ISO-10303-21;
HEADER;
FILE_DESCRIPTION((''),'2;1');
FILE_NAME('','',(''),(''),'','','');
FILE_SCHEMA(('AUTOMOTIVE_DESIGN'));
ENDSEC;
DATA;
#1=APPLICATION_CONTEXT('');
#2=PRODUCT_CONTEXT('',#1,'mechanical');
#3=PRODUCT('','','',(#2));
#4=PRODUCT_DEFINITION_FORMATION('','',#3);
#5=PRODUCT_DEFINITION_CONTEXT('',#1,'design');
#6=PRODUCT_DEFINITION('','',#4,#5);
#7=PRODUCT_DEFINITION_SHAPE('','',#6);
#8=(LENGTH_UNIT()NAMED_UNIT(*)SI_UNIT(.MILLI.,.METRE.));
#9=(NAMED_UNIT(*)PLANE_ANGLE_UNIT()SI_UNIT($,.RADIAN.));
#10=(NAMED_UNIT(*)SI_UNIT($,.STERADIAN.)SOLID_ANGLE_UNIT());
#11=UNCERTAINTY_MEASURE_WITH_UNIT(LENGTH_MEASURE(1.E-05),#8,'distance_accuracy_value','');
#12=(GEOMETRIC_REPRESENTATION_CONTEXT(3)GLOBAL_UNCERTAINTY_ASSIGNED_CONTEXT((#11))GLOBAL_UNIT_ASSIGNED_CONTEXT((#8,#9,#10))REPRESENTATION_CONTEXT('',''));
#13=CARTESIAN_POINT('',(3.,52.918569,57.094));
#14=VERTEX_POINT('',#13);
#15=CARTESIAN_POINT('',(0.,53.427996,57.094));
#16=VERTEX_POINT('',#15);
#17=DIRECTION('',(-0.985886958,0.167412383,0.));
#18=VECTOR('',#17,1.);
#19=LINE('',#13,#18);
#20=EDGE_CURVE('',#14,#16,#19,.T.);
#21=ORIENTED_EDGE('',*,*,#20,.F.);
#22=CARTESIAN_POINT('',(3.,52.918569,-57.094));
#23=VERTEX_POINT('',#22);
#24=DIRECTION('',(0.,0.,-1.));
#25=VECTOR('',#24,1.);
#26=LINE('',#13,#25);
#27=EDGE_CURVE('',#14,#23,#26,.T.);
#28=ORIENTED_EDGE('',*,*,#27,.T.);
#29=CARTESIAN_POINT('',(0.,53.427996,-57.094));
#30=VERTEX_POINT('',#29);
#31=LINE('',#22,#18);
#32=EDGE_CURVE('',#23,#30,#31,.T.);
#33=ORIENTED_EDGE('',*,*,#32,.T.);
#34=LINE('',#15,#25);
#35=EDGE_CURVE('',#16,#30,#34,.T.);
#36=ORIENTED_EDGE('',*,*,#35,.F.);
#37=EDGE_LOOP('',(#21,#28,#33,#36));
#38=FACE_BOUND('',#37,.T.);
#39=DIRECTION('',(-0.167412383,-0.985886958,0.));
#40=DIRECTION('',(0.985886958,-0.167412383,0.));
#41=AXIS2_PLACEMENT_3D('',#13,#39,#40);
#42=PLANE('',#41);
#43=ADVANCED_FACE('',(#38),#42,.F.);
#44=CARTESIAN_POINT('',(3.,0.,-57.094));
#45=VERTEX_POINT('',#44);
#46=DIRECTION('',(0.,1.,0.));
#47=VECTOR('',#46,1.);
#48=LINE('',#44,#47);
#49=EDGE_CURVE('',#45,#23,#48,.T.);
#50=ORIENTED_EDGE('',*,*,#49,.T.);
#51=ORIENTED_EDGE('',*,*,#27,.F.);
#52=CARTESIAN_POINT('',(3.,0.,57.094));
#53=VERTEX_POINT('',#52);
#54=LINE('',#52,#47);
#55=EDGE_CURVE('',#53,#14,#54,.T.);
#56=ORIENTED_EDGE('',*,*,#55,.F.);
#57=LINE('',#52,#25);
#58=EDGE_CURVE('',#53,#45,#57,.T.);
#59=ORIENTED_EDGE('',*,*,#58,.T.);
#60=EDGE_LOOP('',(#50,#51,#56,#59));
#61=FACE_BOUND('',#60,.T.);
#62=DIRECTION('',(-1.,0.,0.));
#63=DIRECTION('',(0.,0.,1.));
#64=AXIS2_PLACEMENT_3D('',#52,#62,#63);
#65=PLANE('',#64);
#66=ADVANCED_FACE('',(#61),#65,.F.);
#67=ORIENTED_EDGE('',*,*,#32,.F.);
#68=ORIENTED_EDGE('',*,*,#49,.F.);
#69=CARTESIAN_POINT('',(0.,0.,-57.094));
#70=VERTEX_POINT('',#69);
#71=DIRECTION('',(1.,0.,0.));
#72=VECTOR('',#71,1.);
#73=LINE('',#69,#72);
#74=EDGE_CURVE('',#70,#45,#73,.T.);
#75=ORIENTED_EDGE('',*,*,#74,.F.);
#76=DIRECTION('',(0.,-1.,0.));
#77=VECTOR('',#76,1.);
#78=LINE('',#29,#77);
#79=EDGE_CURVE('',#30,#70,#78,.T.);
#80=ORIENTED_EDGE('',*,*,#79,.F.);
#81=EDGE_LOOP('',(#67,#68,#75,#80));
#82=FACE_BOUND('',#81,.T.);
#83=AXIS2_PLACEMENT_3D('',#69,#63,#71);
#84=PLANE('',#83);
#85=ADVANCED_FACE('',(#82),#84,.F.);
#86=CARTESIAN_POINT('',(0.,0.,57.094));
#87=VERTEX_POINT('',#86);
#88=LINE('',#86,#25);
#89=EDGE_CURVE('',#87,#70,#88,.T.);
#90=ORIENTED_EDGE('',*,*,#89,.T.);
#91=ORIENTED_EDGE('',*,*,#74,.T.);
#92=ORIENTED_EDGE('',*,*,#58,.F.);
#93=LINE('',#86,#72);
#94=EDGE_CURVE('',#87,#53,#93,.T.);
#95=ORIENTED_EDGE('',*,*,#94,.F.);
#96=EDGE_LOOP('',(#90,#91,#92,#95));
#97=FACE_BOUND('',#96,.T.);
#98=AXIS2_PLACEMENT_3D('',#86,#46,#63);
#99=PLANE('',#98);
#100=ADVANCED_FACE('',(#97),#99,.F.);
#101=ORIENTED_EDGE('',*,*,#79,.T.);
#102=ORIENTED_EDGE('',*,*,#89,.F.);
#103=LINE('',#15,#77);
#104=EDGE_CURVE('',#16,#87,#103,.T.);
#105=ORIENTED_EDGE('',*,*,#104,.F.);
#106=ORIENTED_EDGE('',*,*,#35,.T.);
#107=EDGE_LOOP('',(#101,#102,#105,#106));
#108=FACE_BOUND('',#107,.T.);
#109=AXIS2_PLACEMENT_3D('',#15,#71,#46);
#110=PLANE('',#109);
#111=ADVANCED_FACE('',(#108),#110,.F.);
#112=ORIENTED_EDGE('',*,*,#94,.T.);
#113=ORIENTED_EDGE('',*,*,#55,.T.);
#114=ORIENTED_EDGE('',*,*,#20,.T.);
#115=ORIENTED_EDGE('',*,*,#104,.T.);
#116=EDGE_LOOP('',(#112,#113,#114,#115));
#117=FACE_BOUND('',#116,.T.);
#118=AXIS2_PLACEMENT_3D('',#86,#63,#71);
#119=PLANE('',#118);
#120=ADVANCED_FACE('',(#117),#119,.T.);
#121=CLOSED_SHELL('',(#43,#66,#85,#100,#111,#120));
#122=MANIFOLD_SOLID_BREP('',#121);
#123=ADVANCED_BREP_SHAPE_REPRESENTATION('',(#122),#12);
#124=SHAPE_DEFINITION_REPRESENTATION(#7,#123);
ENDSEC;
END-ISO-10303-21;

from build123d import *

# Parameters (mm, degrees)
BOSS_EXTRUDE1_DEPTH = 57.094


with BuildPart() as part:
    # Sketch1 → Boss-Extrude1 (new body, symmetric)
    with BuildSketch(Plane.XY):
        Polygon((3, 0), (3, 52.918568794), (0, 53.427995502), (0, 0), align=None)
    extrude(amount=BOSS_EXTRUDE1_DEPTH, both=True)


solid = part.part
